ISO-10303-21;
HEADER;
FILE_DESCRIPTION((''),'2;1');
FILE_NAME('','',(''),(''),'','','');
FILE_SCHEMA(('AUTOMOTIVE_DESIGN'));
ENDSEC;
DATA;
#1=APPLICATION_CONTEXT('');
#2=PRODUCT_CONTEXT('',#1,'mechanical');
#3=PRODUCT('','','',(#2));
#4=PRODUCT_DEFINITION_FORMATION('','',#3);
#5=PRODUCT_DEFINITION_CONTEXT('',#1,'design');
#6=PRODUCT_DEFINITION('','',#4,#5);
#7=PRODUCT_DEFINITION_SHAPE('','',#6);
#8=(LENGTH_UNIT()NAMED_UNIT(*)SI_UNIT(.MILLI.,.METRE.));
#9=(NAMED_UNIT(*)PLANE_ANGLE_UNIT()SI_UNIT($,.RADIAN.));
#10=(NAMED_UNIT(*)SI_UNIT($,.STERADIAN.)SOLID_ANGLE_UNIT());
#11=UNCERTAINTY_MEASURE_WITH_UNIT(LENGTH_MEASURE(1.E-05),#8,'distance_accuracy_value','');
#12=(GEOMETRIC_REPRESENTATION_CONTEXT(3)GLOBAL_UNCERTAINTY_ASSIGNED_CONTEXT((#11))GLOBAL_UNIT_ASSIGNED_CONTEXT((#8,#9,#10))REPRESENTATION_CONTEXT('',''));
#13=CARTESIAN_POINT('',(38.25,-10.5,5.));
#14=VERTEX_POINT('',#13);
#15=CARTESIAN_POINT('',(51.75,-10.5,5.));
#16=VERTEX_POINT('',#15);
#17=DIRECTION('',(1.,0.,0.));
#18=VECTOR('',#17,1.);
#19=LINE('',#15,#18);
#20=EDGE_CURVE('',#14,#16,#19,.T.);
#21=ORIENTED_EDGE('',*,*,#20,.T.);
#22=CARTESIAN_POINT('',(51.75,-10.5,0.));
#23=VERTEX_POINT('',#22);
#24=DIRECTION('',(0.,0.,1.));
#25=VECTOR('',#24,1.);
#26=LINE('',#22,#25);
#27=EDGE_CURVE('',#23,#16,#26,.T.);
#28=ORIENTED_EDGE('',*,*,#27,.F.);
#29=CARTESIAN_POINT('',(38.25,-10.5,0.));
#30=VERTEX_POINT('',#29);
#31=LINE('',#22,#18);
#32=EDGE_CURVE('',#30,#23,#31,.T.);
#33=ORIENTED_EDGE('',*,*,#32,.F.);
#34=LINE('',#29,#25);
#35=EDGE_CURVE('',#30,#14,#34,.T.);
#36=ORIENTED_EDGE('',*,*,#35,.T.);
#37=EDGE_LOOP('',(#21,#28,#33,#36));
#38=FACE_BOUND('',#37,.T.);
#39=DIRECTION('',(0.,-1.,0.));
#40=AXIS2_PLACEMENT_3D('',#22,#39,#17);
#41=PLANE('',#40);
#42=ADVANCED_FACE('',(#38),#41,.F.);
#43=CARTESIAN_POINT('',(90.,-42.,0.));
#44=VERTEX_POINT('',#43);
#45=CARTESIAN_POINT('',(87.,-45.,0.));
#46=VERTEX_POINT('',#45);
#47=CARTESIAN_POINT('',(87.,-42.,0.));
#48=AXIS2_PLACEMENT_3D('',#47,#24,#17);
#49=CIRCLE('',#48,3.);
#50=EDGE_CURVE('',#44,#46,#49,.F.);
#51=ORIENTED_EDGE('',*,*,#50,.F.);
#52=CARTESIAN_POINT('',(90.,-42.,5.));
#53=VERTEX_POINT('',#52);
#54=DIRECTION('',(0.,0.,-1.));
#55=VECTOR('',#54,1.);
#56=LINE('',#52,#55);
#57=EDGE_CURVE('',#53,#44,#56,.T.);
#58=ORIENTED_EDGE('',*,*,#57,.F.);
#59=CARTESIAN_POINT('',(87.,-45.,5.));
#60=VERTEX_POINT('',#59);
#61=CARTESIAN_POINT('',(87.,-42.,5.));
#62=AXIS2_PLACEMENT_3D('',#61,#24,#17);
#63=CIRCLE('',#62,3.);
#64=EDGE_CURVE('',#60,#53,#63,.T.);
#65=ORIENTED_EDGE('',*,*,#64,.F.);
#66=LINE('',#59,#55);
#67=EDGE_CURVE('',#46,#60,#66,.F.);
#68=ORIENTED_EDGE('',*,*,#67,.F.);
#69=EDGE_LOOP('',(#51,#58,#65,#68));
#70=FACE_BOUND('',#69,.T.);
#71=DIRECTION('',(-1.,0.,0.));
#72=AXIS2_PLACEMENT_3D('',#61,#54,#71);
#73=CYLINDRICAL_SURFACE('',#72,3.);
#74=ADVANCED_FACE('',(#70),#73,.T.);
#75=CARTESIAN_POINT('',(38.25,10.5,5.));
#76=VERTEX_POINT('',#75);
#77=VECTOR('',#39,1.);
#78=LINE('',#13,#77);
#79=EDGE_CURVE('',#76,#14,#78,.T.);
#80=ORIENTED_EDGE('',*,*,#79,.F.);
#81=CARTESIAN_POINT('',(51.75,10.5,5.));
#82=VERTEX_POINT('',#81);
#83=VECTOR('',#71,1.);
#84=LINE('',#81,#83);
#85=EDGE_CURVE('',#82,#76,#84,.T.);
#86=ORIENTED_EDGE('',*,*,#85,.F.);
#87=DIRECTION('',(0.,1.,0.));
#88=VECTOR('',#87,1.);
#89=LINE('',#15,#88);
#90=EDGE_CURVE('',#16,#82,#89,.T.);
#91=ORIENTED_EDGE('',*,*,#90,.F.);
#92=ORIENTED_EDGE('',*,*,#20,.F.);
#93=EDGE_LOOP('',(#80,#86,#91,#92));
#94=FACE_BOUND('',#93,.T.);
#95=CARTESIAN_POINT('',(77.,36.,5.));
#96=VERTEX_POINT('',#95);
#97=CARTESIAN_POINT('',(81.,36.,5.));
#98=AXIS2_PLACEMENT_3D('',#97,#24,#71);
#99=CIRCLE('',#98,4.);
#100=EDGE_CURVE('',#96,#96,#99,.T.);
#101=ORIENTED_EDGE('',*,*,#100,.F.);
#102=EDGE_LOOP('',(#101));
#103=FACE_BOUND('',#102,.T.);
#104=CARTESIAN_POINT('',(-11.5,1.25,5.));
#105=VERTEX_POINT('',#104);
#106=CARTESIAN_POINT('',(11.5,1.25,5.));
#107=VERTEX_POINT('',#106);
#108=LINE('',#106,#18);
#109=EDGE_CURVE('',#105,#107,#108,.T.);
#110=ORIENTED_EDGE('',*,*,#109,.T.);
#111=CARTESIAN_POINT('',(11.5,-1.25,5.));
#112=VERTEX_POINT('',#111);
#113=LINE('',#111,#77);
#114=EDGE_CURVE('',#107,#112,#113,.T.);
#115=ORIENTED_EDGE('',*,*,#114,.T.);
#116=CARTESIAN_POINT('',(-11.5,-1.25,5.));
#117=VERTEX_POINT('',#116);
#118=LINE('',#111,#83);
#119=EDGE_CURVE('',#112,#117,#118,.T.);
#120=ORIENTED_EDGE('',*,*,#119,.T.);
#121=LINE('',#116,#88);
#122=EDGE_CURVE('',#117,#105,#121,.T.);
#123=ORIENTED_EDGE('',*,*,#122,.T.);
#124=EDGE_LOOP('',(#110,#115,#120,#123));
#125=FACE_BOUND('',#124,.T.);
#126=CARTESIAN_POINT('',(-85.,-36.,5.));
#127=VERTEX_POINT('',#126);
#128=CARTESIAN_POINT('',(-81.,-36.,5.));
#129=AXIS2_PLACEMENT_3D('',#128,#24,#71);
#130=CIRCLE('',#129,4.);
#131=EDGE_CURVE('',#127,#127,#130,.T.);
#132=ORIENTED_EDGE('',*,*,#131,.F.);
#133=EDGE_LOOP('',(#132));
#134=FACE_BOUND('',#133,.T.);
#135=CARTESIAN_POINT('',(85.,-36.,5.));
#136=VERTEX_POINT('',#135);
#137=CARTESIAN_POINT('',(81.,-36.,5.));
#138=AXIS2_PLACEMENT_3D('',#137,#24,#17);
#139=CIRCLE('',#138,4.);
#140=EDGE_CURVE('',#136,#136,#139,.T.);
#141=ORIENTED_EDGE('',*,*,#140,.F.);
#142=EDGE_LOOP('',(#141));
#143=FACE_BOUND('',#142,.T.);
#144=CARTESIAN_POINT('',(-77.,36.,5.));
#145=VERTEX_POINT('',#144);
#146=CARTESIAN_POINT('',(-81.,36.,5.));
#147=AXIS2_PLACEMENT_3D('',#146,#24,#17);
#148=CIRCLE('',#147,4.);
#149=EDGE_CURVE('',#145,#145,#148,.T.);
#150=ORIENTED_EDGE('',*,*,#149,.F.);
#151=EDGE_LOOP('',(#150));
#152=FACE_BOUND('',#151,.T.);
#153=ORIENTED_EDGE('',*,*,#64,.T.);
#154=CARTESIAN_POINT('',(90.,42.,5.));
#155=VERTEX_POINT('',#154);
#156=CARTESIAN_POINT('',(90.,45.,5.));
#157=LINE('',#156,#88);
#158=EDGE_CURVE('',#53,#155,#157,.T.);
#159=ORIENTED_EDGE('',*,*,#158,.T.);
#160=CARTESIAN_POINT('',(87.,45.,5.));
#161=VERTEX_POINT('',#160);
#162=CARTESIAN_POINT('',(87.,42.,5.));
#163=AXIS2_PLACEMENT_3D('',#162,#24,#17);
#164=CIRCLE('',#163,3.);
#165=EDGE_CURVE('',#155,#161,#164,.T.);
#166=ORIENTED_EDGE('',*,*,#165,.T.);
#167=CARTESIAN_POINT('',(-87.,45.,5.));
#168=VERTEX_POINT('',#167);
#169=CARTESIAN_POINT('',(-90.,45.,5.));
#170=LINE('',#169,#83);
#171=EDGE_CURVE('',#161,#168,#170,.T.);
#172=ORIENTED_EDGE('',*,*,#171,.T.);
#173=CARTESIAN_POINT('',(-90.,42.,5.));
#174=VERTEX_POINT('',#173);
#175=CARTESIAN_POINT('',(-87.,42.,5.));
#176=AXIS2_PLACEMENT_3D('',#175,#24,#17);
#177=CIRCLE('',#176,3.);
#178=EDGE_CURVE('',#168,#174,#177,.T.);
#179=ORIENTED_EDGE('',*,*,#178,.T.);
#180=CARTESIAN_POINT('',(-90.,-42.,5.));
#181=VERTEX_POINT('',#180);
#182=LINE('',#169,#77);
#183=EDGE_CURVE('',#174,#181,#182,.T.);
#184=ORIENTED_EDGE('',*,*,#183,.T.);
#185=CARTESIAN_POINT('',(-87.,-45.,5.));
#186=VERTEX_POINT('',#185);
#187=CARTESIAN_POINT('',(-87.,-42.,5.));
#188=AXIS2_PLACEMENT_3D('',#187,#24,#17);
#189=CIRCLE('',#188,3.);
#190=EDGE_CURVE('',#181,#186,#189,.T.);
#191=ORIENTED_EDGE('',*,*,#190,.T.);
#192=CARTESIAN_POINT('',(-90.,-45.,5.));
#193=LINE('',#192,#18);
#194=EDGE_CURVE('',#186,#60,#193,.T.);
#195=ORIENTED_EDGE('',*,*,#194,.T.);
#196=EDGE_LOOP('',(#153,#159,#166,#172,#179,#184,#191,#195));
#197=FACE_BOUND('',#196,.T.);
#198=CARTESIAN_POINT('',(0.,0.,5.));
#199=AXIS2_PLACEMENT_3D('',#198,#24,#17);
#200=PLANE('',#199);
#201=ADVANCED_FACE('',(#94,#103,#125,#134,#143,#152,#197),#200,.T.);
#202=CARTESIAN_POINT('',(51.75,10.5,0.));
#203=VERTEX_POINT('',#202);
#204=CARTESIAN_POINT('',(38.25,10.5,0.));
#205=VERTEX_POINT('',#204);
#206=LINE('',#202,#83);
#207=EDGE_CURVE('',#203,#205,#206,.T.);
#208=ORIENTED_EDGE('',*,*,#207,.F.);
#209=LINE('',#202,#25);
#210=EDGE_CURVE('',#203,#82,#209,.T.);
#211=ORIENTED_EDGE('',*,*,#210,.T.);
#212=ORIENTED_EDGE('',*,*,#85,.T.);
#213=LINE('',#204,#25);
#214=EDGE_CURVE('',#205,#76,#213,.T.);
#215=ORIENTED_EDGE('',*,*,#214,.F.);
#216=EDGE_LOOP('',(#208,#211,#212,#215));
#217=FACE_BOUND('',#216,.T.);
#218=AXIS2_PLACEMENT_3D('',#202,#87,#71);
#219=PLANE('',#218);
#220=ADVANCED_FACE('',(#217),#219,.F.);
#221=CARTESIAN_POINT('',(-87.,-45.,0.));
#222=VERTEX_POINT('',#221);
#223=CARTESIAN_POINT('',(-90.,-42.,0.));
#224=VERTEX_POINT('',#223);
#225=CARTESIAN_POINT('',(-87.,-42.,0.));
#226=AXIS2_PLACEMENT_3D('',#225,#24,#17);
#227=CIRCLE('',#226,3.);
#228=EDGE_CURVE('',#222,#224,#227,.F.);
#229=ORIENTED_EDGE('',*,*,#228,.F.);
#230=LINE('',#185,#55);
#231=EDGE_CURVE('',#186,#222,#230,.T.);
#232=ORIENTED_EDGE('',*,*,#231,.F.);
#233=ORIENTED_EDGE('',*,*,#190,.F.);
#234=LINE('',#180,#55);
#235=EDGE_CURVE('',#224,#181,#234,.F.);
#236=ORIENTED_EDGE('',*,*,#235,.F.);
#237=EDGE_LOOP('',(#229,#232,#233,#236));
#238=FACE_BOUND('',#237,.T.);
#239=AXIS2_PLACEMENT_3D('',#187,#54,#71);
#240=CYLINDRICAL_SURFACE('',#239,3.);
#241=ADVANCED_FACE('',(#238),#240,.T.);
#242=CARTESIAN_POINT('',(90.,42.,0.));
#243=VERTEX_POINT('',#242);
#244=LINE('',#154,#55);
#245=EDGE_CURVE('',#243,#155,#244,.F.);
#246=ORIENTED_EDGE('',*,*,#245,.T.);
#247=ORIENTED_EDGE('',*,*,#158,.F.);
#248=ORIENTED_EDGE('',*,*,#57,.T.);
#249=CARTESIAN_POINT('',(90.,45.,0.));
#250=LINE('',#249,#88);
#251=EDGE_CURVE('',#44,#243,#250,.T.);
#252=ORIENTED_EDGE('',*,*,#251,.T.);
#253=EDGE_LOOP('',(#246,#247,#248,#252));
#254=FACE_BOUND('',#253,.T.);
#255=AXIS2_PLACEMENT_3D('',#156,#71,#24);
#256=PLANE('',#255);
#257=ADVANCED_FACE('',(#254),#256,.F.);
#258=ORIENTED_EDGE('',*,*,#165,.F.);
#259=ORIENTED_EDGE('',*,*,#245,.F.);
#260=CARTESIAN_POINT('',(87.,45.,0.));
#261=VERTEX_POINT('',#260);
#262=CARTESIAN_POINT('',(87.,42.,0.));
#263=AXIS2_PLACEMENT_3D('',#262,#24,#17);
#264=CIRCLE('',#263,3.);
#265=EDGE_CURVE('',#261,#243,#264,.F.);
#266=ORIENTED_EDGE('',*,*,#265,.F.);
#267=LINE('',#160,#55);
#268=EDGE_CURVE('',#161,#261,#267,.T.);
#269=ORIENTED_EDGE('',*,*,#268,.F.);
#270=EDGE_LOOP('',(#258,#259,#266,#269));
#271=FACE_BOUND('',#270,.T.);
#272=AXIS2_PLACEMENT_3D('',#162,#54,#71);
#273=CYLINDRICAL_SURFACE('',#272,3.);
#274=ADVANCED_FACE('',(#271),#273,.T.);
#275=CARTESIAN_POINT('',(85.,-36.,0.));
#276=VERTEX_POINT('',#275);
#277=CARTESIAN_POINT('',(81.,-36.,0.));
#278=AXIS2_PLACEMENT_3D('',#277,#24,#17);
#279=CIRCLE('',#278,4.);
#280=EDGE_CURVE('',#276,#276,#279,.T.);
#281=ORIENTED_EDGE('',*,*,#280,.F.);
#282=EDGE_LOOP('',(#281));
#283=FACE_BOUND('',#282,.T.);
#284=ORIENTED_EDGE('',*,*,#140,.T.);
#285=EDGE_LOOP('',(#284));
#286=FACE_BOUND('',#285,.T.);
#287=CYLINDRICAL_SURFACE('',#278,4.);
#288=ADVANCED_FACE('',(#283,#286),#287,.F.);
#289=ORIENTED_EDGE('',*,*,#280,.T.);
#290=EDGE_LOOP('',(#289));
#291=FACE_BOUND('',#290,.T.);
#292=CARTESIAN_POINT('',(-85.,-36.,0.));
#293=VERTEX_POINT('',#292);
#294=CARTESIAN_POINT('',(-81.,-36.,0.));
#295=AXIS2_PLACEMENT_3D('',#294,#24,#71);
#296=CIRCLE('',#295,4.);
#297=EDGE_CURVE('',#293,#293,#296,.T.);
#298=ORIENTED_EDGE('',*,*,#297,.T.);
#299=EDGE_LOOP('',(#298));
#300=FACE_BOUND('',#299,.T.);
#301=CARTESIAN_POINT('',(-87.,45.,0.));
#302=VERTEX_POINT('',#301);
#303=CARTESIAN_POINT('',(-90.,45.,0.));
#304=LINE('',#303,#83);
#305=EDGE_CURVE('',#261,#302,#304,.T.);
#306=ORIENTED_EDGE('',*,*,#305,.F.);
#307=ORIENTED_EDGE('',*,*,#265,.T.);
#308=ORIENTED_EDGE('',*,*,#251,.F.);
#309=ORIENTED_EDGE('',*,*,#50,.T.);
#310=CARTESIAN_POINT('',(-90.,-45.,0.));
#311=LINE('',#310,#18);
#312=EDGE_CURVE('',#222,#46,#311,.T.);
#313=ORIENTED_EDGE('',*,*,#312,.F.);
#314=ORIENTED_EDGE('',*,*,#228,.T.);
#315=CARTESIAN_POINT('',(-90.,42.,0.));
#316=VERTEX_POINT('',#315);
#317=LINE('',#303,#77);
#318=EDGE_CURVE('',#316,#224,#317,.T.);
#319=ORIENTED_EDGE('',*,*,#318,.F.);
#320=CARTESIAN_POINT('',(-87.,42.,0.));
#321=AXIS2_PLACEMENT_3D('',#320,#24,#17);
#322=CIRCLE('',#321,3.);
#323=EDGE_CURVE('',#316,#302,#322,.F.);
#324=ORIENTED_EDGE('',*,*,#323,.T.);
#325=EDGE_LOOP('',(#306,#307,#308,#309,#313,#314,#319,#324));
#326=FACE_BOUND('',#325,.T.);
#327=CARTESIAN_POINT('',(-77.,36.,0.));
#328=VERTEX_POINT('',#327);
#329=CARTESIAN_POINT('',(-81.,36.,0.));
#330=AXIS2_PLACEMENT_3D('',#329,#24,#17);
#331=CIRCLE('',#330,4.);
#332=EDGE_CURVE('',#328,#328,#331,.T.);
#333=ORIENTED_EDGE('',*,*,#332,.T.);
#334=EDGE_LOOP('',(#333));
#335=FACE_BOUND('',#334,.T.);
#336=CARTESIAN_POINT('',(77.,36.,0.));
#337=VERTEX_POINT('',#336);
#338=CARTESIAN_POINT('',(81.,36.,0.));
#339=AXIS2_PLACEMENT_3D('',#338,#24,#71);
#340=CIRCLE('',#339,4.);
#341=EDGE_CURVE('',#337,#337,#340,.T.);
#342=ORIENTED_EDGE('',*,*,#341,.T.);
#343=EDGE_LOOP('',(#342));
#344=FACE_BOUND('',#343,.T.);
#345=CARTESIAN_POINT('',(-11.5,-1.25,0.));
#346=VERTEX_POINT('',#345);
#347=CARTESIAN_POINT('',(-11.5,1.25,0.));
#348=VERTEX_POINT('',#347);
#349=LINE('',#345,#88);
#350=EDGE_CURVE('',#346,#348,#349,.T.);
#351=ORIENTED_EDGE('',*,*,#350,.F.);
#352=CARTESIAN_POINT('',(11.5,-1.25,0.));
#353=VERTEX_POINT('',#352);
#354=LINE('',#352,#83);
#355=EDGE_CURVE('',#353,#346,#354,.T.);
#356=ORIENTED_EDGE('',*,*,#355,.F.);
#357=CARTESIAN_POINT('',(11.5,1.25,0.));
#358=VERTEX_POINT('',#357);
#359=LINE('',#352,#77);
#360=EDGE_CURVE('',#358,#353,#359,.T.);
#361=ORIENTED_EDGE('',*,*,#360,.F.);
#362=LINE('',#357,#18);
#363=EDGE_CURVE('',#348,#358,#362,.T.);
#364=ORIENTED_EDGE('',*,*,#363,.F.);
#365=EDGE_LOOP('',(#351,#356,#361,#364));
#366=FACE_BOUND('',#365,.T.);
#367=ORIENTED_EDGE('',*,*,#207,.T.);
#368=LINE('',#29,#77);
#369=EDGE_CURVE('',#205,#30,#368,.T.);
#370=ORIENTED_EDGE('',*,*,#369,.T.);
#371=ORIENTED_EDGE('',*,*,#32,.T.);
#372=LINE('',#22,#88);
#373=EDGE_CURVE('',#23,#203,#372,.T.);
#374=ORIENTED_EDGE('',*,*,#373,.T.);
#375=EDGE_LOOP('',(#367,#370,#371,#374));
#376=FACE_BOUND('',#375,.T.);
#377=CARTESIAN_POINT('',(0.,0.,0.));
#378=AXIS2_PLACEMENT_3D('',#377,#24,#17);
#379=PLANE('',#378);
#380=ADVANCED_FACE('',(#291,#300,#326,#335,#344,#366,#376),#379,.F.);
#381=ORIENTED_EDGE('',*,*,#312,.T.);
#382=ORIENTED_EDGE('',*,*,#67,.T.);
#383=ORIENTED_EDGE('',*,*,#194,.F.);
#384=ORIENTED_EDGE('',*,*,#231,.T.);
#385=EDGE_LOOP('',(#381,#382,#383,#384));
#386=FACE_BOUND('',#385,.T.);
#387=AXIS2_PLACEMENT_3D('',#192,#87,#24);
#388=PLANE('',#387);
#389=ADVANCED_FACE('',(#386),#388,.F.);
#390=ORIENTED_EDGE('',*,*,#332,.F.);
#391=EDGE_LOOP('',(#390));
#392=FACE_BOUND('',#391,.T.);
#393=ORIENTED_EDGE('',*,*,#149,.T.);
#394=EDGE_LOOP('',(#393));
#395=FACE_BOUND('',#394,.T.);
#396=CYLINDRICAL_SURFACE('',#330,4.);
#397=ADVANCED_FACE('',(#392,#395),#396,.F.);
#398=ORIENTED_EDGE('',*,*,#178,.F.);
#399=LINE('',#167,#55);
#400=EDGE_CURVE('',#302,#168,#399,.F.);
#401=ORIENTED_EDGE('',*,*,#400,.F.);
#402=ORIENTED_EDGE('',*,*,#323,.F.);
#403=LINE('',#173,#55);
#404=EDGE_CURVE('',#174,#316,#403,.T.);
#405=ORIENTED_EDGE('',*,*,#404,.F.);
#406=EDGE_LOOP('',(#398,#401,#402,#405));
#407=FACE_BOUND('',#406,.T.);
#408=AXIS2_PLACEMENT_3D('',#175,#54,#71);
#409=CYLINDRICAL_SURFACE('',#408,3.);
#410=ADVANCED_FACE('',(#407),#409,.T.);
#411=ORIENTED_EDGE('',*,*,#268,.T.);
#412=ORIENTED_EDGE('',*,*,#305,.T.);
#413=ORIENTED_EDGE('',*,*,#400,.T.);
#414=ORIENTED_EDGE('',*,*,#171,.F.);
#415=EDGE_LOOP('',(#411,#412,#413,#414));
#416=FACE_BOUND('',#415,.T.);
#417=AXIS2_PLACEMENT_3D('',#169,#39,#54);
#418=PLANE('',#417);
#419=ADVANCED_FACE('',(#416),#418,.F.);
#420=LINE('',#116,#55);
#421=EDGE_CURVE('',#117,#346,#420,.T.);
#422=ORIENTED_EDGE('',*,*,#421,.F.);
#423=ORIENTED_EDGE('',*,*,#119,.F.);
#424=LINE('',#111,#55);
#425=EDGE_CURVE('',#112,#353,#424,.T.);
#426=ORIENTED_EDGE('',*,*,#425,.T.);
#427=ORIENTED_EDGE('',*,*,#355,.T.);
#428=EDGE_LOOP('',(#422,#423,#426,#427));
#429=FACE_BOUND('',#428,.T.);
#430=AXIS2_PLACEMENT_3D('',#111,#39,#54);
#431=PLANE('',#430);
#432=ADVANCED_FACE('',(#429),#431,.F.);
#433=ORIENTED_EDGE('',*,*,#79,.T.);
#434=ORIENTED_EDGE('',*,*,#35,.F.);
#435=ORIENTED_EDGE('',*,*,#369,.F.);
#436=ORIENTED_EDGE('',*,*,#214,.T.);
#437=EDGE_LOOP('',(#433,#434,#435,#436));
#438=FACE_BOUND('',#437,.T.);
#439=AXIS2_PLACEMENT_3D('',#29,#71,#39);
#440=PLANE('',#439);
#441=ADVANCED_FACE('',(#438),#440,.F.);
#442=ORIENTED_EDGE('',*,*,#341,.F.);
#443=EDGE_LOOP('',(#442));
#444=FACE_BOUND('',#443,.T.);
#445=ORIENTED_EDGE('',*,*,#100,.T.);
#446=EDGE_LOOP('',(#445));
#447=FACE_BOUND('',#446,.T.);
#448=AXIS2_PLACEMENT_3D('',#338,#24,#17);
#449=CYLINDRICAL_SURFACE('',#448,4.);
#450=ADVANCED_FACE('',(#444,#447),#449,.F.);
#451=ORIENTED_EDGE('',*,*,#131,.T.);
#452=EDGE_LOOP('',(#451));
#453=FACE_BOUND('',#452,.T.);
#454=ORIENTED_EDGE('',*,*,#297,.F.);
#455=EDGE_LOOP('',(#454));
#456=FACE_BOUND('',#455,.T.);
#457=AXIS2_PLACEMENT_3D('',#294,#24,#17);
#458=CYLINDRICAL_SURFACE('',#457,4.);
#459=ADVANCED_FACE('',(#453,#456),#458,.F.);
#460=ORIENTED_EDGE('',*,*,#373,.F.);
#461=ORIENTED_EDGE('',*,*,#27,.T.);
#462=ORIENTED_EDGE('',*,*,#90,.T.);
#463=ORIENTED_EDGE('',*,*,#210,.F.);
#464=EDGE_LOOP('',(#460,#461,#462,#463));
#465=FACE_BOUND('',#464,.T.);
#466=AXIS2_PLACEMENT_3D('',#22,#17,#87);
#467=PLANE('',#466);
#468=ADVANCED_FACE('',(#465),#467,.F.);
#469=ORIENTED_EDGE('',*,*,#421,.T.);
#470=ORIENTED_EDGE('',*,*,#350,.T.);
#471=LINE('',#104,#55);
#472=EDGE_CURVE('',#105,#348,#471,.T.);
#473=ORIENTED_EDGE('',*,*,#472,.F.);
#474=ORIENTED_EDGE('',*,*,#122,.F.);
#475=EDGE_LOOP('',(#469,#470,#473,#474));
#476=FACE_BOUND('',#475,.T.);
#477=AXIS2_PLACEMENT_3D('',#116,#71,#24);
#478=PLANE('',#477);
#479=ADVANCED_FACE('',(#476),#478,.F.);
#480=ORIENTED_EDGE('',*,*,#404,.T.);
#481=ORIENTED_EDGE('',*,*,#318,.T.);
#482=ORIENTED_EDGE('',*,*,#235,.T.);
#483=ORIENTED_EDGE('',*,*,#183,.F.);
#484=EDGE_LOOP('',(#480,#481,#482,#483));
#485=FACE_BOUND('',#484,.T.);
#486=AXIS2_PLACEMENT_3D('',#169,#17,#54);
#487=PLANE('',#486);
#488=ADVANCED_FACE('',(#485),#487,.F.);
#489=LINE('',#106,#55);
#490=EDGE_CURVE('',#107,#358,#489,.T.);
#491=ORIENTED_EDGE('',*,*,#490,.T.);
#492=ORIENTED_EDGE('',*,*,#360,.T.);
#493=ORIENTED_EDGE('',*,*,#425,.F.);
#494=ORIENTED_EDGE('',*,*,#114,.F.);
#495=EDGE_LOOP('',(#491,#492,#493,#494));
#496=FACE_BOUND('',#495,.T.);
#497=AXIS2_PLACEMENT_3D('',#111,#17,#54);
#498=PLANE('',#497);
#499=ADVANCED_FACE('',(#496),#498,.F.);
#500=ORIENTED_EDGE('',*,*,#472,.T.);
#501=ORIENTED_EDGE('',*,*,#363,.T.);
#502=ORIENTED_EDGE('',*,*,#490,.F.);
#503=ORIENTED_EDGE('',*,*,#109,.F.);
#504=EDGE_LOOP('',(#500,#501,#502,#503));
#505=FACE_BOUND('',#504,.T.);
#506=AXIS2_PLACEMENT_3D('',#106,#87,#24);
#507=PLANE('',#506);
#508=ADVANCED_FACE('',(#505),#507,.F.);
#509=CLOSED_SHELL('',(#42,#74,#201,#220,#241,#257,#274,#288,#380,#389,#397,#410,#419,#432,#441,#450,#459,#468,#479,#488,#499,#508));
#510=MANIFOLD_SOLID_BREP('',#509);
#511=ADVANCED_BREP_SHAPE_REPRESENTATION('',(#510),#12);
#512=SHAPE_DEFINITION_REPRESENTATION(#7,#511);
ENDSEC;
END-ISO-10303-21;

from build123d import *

# Parameters (mm, degrees)
SKETCH1_W           = 180
SKETCH1_H           = 90
BOSS_EXTRUDE1_DEPTH = 5
SKETCH2_R           = 4
CUT_EXTRUDE1_DEPTH  = 101.747208398
SKETCH3_W           = 23
SKETCH3_H           = 2.5
CUT_EXTRUDE2_DEPTH  = 101.747208398
FILLET1_R           = 3
FILLET2_R           = 3
FILLET3_R           = 3
FILLET4_R           = 3
SKETCH4_W           = 13.5
SKETCH4_H           = 21
CUT_EXTRUDE3_DEPTH  = 101.747208398


with BuildPart() as part:
    # Sketch1 → Boss-Extrude1 (new body)
    with BuildSketch(Plane.XY):
        Rectangle(SKETCH1_W, SKETCH1_H)
    extrude(amount=BOSS_EXTRUDE1_DEPTH)

    # Sketch2 → Cut-Extrude1 (cut, through all)
    with BuildSketch(Plane.XY.offset(5)):
        with Locations((-81, 36)):
            Circle(SKETCH2_R)
        with Locations(Location((81, 36, 0), (0, 0, 180))):
            Circle(SKETCH2_R)
        with Locations((81, -36)):
            Circle(SKETCH2_R)
        with Locations(Location((-81, -36, 0), (0, 0, 180))):
            Circle(SKETCH2_R)
    extrude(amount=-CUT_EXTRUDE1_DEPTH, mode=Mode.SUBTRACT)

    # Sketch3 → Cut-Extrude2 (cut, through all)
    with BuildSketch(Plane(origin=(0, 0, 0), x_dir=(-1, 0, 0), z_dir=(0, 0, -1))):
        Rectangle(SKETCH3_W, SKETCH3_H)
    extrude(amount=-CUT_EXTRUDE2_DEPTH, mode=Mode.SUBTRACT)

    # Fillet1
    fillet1_edges = [part.edges().sort_by_distance(p)[0] for p in [
        (90, 45, 2.5),
    ]]
    fillet(fillet1_edges, radius=FILLET1_R)

    # Fillet2
    fillet2_edges = [part.edges().sort_by_distance(p)[0] for p in [
        (90, -45, 2.5),
    ]]
    fillet(fillet2_edges, radius=FILLET2_R)

    # Fillet3
    fillet3_edges = [part.edges().sort_by_distance(p)[0] for p in [
        (-90, 45, 2.5),
    ]]
    fillet(fillet3_edges, radius=FILLET3_R)

    # Fillet4
    fillet4_edges = [part.edges().sort_by_distance(p)[0] for p in [
        (-90, -45, 2.5),
    ]]
    fillet(fillet4_edges, radius=FILLET4_R)

    # Sketch4 → Cut-Extrude3 (cut, through all)
    with BuildSketch(Plane.XY.offset(5)):
        with Locations((45, 0)):
            Rectangle(SKETCH4_W, SKETCH4_H)
    extrude(amount=-CUT_EXTRUDE3_DEPTH, mode=Mode.SUBTRACT)


solid = part.part
